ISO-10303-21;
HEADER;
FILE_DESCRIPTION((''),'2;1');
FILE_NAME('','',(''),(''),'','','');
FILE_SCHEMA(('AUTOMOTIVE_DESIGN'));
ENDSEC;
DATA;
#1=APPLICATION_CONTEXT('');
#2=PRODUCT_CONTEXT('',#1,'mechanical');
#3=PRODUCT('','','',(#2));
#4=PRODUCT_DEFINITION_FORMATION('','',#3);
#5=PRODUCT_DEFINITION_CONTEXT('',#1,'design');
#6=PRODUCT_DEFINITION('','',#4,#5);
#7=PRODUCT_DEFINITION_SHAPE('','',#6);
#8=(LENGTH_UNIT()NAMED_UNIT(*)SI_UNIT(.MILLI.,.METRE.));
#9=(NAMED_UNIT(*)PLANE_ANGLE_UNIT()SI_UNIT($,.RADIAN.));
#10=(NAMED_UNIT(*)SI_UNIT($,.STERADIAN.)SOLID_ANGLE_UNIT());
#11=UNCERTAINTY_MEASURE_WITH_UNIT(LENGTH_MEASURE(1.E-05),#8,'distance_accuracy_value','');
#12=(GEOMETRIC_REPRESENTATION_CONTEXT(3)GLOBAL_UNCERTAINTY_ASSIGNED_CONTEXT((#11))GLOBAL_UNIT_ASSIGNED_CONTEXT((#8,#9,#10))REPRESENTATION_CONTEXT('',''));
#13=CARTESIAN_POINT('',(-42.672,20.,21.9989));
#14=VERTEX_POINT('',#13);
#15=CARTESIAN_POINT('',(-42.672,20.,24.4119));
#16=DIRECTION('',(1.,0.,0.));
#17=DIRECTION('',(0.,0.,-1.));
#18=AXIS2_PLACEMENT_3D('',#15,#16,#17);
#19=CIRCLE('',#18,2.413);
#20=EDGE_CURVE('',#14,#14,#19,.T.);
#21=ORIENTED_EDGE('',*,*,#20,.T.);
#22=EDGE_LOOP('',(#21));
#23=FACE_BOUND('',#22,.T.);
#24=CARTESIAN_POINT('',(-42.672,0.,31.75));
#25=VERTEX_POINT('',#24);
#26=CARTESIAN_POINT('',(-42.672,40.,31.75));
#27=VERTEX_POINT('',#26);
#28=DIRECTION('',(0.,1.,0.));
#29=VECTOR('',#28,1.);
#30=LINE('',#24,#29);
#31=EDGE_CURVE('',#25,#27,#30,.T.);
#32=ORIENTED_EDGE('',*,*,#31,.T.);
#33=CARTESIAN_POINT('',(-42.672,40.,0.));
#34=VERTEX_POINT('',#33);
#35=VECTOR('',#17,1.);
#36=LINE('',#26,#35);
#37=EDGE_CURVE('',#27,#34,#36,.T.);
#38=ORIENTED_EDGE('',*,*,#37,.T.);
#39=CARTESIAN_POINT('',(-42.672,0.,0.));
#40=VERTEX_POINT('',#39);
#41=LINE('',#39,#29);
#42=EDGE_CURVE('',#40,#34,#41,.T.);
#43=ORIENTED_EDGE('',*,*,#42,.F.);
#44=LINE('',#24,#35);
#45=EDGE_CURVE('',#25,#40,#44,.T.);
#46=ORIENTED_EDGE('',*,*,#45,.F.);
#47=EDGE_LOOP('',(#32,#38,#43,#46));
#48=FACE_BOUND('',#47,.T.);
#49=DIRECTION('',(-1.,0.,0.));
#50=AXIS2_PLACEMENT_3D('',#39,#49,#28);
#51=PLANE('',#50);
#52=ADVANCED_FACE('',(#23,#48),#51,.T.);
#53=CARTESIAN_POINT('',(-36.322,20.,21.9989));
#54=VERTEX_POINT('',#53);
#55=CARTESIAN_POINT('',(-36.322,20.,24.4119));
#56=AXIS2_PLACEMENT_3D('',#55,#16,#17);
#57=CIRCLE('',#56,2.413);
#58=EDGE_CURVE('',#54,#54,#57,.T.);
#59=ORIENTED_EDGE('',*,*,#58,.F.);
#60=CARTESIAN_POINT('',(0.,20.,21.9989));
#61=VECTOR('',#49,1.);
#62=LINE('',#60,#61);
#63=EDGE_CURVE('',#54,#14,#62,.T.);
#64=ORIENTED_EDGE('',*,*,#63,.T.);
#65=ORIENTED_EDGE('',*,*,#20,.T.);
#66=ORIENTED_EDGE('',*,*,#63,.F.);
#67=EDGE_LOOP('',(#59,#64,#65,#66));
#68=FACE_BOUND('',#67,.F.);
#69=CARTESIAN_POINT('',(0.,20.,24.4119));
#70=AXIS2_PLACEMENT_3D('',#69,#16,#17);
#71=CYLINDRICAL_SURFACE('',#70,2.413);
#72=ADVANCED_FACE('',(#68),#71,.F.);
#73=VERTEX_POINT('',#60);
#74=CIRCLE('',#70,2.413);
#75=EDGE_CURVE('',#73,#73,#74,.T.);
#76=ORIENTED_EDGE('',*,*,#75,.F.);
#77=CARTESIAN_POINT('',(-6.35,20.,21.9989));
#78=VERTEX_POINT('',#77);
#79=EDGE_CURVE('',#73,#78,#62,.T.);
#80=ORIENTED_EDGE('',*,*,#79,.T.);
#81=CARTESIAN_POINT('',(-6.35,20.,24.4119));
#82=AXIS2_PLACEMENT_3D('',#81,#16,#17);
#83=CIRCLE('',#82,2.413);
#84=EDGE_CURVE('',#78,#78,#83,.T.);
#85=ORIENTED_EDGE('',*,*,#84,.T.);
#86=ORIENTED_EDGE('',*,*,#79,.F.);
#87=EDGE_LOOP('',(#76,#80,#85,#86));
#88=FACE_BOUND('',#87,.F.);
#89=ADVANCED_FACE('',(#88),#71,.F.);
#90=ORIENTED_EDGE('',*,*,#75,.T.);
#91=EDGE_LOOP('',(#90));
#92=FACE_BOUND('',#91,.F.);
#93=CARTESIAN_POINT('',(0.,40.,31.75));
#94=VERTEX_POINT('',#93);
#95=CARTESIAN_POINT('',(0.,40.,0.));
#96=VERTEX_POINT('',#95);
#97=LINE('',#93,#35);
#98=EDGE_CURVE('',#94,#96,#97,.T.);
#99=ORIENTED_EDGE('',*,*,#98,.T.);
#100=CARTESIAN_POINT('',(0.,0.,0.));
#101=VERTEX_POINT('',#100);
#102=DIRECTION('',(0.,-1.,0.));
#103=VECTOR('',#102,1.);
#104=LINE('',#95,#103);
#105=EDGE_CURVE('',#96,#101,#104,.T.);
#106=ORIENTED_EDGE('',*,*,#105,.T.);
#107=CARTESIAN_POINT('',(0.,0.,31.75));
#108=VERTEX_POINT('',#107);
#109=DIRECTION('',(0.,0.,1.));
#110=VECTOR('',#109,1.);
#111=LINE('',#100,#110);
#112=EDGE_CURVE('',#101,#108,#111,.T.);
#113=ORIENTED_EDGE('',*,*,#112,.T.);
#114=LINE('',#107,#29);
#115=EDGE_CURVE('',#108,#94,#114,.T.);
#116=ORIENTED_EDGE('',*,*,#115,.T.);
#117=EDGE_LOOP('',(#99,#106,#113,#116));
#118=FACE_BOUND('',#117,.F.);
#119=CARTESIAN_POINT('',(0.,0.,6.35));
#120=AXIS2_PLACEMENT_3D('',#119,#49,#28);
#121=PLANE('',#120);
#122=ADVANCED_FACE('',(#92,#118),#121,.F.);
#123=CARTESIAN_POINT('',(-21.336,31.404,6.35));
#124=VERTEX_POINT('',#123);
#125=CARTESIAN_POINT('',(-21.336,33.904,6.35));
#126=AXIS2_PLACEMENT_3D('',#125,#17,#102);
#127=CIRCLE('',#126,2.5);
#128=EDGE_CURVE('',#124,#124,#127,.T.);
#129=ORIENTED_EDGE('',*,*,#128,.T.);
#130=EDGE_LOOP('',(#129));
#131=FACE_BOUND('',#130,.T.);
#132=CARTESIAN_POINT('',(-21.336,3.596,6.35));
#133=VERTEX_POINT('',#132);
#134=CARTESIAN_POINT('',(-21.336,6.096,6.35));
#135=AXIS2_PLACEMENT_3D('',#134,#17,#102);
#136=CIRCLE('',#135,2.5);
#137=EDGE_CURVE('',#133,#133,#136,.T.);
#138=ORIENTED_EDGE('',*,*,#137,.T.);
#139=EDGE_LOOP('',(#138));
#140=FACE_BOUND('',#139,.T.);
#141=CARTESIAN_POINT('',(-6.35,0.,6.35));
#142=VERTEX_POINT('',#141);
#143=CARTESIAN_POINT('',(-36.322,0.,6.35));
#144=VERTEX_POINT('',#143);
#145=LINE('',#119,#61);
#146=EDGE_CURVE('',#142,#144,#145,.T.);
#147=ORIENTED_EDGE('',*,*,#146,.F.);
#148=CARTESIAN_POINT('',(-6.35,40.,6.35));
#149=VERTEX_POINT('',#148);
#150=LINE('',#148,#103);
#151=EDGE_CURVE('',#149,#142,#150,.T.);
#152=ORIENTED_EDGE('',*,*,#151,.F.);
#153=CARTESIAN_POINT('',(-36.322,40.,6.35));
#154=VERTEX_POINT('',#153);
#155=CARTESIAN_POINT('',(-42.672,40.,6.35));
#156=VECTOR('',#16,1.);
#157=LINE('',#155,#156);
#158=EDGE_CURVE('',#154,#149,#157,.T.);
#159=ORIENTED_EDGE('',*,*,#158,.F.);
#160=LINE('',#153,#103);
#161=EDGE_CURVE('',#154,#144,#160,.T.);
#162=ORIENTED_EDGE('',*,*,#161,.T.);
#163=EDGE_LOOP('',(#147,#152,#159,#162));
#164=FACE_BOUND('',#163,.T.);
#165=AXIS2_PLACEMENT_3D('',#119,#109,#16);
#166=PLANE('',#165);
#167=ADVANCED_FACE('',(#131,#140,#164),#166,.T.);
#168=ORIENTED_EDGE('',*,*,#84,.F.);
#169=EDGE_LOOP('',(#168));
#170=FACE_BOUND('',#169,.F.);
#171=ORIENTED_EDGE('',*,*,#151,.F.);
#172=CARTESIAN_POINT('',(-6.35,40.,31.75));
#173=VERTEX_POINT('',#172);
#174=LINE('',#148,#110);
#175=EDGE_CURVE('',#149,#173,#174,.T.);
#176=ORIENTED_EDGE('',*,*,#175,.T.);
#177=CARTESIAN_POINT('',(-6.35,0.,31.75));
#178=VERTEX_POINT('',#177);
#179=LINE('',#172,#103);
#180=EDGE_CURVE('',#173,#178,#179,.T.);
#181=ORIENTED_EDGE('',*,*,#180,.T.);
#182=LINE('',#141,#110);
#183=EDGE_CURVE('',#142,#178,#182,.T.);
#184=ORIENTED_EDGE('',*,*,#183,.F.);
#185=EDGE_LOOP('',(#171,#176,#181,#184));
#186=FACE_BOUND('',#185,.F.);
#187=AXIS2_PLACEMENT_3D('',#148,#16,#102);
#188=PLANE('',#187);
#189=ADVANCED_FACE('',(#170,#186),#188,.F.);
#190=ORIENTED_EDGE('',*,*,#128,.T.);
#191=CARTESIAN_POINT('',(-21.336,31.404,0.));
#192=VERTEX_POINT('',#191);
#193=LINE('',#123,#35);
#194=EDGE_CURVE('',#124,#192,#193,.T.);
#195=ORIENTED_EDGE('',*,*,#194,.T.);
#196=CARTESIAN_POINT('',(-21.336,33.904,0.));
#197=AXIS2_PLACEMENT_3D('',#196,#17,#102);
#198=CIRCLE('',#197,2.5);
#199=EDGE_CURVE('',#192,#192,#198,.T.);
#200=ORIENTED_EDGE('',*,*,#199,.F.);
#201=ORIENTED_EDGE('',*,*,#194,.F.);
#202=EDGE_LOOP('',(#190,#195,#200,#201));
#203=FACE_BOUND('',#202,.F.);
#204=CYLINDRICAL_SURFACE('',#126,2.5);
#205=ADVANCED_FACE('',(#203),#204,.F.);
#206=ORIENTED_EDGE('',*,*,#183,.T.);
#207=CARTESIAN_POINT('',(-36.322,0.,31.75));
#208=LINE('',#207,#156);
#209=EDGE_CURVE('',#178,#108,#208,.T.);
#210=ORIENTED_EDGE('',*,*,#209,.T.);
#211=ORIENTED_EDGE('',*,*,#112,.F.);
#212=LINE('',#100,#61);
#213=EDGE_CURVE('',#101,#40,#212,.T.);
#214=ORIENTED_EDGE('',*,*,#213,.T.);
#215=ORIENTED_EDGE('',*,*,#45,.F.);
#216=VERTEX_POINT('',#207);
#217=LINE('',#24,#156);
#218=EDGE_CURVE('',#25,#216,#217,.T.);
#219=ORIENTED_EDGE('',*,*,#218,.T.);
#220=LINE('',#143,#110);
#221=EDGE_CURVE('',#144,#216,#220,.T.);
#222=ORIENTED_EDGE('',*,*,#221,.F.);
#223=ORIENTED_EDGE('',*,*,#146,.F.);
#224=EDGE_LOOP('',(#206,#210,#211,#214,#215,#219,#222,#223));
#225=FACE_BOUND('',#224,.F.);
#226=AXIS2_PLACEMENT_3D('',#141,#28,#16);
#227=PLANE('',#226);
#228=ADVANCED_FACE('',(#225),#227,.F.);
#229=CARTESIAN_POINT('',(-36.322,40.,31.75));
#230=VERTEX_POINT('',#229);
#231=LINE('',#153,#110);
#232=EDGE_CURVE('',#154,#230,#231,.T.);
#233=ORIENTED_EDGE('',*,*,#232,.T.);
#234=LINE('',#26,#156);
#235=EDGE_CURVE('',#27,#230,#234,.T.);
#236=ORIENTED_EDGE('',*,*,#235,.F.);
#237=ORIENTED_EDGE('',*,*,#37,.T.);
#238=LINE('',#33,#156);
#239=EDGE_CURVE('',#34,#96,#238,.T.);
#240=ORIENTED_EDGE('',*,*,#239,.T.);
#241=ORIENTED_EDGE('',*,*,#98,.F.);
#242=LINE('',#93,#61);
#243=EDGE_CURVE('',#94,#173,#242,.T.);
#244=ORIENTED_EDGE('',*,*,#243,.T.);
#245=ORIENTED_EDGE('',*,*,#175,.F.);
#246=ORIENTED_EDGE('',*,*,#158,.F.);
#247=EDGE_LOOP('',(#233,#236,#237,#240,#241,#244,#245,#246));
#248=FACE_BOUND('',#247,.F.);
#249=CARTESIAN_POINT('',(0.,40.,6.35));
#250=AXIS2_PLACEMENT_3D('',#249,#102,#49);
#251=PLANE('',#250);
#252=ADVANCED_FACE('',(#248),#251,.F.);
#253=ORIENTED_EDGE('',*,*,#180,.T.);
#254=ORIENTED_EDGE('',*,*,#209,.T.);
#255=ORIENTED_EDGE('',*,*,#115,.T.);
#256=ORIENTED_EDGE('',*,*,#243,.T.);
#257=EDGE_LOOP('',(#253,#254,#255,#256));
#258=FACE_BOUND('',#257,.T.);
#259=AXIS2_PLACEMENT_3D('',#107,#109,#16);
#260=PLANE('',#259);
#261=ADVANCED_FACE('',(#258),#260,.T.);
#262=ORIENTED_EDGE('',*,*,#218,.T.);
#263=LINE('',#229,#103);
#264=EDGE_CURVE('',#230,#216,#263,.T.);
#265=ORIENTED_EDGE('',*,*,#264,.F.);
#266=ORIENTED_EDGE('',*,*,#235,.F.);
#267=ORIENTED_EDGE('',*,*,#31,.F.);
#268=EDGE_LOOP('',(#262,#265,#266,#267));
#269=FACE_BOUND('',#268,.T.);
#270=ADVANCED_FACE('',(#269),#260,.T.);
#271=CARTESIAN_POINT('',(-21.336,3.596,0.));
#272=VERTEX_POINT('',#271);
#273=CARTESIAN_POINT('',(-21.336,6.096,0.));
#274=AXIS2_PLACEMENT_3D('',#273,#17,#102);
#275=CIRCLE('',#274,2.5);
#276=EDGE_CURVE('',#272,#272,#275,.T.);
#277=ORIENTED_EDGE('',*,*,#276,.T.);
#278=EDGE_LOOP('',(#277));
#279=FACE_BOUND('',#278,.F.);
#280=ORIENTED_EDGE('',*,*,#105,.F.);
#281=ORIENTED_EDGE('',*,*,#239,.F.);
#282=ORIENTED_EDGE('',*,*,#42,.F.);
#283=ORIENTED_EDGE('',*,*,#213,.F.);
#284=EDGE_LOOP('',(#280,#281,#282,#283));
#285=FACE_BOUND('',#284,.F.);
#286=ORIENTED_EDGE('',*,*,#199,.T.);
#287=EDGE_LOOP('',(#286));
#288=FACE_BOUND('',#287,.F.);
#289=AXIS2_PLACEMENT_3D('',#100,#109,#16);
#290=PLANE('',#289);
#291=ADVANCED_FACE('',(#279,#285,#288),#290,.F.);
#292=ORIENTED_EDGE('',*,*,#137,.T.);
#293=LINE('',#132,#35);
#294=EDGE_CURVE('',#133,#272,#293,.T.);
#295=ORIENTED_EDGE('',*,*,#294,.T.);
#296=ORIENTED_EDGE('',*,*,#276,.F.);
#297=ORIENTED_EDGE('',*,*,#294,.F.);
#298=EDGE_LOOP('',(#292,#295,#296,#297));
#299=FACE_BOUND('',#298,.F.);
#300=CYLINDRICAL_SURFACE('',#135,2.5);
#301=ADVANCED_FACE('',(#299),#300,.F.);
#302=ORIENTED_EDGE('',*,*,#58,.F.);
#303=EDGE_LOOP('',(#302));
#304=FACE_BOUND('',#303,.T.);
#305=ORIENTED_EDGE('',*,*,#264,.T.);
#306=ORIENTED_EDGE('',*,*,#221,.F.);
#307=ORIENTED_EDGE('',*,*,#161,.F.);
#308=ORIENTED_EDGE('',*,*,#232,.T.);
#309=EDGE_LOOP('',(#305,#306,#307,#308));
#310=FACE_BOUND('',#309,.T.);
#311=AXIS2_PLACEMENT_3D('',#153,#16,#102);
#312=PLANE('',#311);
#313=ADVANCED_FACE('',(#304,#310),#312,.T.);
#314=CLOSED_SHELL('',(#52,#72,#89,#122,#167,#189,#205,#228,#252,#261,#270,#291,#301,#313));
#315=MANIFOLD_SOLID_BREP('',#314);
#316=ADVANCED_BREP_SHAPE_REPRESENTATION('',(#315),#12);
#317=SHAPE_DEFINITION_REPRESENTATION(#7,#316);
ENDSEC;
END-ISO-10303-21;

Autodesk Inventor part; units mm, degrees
ref_plane "YZ Plane" through (0, 0, 0) normal (1, 0, 0) x (0, 1, 0)
ref_plane "XZ Plane" through (0, 0, 0) normal (0, 1, 0) x (-1, 0, 0)
ref_plane "XY Plane" through (0, 0, 0) normal (0, 0, 1) x (1, 0, 0)
sketch "Sketch1" plane through (0, 0, 0) normal (0, 0, 1) x (1, 0, 0)
  line L0 (0, 0) -> (-42.672, 0)
  line L1 (-42.672, 0) -> (-42.672, 40)
  line L2 (-42.672, 40) -> (0, 40)
  line L3 (0, 40) -> (0, 0)
  dimension "d0" = 42.672
  dimension "d1" = 40
extrude "Extrusion1" add sketch "Sketch1" along normal blind 6.35
sketch "Sketch2" plane through (0, 0, 6.35) normal (0, 0, 1) x (1, 0, 0)
  line L0 (-42.672, 0) -> (0, 0) projected
  line L1 (-42.672, 40) -> (-36.322, 40)
  line L2 (-36.322, 40) -> (-36.322, 0)
  line L3 (-36.322, 0) -> (-42.672, 0)
  line L4 (-42.672, 0) -> (-42.672, 40)
  dimension "d4" = 6.35
extrude "Extrusion2" add sketch "Sketch2" along normal blind 25.4
sketch "Sketch3" plane through (0, 0, 6.35) normal (0, 0, 1) x (1, 0, 0)
  line L0 (-36.322, 0) -> (0, 0) projected
  line L1 (0, 40) -> (-6.35, 40)
  line L2 (-6.35, 40) -> (-6.35, 0)
  line L3 (-6.35, 0) -> (0, 0)
  line L4 (0, 0) -> (0, 40)
  dimension "d7" = 6.35
extrude "Extrusion3" add sketch "Sketch3" along normal blind 25.4
sketch "Sketch4" plane through (0, 0, 0) normal (1, 0, 0) x (0, 0, -1)
  circle A0 centre (-24.4119, 20) radius 2.413
  dimension "d10" = 4.826
extrude "Extrusion4" cut sketch "Sketch4" against normal blind 76.2
sketch "Sketch5" plane through (0, 0, 6.35) normal (0, 0, 1) x (1, 0, 0)
  line L0 (-6.35, 40) -> (-36.322, 40) projected
  line L1 (-36.322, 0) -> (-6.35, 0) projected
  point P0 (0, 0)
  point P1 (-21.336, 33.904)
  point P2 (-21.336, 6.096)
  dimension "d13" = 6.096
  dimension "d14" = 6.096
hole "Hole1" at (-21.336, 33.904, 6.35) at (-21.336, 6.096, 6.35) direction (0, 0, -1) diameter 5 end through all
properties part number "LiftBase2" material "Aluminum 6061"
